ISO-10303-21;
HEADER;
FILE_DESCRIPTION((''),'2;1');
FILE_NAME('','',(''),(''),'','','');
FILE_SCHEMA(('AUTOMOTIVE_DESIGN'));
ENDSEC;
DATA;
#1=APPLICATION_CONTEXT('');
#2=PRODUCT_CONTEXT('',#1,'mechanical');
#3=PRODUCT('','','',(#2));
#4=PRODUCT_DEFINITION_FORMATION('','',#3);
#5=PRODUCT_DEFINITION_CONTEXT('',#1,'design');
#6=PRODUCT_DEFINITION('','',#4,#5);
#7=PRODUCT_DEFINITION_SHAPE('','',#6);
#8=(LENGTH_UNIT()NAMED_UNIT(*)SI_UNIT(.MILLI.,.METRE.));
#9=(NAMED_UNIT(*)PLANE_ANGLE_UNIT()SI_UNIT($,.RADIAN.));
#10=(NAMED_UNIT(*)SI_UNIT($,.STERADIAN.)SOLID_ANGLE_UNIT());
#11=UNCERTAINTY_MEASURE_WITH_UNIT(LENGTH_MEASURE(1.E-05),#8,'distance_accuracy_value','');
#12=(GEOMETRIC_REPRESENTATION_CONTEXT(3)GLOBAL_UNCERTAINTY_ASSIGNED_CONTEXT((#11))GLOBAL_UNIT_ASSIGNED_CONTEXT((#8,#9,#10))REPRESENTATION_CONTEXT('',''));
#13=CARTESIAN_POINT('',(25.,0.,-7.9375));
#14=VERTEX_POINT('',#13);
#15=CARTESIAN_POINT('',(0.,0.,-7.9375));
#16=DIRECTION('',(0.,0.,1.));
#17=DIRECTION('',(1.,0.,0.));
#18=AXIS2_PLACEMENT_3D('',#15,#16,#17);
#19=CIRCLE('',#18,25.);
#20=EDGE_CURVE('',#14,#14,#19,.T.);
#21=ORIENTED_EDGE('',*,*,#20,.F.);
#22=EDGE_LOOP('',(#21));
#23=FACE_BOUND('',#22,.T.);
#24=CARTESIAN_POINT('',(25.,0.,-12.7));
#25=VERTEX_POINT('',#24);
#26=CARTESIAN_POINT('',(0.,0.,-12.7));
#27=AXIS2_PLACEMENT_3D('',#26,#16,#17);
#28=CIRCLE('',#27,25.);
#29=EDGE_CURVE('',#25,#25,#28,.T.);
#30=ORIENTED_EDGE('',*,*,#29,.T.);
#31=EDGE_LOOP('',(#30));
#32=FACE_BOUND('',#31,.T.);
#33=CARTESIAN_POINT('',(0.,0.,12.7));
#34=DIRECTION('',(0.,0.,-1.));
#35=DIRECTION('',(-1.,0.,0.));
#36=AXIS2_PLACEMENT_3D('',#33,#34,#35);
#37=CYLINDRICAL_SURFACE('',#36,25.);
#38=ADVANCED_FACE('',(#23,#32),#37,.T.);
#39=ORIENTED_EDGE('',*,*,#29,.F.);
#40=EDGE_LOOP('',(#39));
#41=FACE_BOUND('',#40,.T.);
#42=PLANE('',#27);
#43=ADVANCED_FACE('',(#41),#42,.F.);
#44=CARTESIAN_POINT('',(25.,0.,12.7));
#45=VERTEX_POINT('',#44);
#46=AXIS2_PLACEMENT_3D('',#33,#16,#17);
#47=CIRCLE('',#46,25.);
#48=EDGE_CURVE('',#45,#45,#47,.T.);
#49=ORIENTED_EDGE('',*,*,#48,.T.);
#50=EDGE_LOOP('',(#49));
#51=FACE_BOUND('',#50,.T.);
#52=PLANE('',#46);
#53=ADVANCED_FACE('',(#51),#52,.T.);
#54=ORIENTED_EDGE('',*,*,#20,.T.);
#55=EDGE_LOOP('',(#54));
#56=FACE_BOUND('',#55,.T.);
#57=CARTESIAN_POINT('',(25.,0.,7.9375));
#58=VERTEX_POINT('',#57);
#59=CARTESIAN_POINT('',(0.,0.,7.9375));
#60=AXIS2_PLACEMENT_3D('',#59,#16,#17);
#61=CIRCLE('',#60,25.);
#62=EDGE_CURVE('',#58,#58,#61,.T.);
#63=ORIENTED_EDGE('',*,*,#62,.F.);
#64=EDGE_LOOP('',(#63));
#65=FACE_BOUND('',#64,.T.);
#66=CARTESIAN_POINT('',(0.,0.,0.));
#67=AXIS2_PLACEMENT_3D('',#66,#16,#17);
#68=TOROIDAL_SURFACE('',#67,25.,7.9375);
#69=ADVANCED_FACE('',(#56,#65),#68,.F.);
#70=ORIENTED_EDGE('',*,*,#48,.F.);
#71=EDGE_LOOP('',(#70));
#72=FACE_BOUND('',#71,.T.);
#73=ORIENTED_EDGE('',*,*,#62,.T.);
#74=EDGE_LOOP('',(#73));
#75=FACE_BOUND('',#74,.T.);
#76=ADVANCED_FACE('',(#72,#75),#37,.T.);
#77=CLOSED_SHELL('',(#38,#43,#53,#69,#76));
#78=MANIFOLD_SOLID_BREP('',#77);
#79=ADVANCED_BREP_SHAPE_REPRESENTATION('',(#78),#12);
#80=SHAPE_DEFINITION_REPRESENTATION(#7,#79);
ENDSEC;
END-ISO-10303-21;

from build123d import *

# Parameters (mm, degrees)
SKETCH1_R           = 25
BOSS_EXTRUDE1_DEPTH = 12.7


with BuildPart() as part:
    # Sketch1 → Boss-Extrude1 (new, symmetric)
    with BuildSketch(Plane.XY):
        Circle(SKETCH1_R)
    extrude(amount=BOSS_EXTRUDE1_DEPTH, both=True)

    # Sketch2 → Cut-Revolve1 (revolve, cut)
    with BuildSketch(Plane(origin=(0, 0, 0), x_dir=(1, 0, 0), z_dir=(0, 1, 0)), mode=Mode.PRIVATE) as cut_revolve1_sk:
        with BuildLine():
            ThreePointArc((-25, 7.9375), (-17.0625, 0), (-25, -7.9375))
            Line((-25, -7.9375), (-25, 7.9375))
        make_face()
    revolve(cut_revolve1_sk.sketch.rotate(Axis((0, 0, 12.7), (0, 0, -1)), 180), axis=Axis((0, 0, 12.7), (0, 0, -1)), mode=Mode.SUBTRACT)


solid = part.part
